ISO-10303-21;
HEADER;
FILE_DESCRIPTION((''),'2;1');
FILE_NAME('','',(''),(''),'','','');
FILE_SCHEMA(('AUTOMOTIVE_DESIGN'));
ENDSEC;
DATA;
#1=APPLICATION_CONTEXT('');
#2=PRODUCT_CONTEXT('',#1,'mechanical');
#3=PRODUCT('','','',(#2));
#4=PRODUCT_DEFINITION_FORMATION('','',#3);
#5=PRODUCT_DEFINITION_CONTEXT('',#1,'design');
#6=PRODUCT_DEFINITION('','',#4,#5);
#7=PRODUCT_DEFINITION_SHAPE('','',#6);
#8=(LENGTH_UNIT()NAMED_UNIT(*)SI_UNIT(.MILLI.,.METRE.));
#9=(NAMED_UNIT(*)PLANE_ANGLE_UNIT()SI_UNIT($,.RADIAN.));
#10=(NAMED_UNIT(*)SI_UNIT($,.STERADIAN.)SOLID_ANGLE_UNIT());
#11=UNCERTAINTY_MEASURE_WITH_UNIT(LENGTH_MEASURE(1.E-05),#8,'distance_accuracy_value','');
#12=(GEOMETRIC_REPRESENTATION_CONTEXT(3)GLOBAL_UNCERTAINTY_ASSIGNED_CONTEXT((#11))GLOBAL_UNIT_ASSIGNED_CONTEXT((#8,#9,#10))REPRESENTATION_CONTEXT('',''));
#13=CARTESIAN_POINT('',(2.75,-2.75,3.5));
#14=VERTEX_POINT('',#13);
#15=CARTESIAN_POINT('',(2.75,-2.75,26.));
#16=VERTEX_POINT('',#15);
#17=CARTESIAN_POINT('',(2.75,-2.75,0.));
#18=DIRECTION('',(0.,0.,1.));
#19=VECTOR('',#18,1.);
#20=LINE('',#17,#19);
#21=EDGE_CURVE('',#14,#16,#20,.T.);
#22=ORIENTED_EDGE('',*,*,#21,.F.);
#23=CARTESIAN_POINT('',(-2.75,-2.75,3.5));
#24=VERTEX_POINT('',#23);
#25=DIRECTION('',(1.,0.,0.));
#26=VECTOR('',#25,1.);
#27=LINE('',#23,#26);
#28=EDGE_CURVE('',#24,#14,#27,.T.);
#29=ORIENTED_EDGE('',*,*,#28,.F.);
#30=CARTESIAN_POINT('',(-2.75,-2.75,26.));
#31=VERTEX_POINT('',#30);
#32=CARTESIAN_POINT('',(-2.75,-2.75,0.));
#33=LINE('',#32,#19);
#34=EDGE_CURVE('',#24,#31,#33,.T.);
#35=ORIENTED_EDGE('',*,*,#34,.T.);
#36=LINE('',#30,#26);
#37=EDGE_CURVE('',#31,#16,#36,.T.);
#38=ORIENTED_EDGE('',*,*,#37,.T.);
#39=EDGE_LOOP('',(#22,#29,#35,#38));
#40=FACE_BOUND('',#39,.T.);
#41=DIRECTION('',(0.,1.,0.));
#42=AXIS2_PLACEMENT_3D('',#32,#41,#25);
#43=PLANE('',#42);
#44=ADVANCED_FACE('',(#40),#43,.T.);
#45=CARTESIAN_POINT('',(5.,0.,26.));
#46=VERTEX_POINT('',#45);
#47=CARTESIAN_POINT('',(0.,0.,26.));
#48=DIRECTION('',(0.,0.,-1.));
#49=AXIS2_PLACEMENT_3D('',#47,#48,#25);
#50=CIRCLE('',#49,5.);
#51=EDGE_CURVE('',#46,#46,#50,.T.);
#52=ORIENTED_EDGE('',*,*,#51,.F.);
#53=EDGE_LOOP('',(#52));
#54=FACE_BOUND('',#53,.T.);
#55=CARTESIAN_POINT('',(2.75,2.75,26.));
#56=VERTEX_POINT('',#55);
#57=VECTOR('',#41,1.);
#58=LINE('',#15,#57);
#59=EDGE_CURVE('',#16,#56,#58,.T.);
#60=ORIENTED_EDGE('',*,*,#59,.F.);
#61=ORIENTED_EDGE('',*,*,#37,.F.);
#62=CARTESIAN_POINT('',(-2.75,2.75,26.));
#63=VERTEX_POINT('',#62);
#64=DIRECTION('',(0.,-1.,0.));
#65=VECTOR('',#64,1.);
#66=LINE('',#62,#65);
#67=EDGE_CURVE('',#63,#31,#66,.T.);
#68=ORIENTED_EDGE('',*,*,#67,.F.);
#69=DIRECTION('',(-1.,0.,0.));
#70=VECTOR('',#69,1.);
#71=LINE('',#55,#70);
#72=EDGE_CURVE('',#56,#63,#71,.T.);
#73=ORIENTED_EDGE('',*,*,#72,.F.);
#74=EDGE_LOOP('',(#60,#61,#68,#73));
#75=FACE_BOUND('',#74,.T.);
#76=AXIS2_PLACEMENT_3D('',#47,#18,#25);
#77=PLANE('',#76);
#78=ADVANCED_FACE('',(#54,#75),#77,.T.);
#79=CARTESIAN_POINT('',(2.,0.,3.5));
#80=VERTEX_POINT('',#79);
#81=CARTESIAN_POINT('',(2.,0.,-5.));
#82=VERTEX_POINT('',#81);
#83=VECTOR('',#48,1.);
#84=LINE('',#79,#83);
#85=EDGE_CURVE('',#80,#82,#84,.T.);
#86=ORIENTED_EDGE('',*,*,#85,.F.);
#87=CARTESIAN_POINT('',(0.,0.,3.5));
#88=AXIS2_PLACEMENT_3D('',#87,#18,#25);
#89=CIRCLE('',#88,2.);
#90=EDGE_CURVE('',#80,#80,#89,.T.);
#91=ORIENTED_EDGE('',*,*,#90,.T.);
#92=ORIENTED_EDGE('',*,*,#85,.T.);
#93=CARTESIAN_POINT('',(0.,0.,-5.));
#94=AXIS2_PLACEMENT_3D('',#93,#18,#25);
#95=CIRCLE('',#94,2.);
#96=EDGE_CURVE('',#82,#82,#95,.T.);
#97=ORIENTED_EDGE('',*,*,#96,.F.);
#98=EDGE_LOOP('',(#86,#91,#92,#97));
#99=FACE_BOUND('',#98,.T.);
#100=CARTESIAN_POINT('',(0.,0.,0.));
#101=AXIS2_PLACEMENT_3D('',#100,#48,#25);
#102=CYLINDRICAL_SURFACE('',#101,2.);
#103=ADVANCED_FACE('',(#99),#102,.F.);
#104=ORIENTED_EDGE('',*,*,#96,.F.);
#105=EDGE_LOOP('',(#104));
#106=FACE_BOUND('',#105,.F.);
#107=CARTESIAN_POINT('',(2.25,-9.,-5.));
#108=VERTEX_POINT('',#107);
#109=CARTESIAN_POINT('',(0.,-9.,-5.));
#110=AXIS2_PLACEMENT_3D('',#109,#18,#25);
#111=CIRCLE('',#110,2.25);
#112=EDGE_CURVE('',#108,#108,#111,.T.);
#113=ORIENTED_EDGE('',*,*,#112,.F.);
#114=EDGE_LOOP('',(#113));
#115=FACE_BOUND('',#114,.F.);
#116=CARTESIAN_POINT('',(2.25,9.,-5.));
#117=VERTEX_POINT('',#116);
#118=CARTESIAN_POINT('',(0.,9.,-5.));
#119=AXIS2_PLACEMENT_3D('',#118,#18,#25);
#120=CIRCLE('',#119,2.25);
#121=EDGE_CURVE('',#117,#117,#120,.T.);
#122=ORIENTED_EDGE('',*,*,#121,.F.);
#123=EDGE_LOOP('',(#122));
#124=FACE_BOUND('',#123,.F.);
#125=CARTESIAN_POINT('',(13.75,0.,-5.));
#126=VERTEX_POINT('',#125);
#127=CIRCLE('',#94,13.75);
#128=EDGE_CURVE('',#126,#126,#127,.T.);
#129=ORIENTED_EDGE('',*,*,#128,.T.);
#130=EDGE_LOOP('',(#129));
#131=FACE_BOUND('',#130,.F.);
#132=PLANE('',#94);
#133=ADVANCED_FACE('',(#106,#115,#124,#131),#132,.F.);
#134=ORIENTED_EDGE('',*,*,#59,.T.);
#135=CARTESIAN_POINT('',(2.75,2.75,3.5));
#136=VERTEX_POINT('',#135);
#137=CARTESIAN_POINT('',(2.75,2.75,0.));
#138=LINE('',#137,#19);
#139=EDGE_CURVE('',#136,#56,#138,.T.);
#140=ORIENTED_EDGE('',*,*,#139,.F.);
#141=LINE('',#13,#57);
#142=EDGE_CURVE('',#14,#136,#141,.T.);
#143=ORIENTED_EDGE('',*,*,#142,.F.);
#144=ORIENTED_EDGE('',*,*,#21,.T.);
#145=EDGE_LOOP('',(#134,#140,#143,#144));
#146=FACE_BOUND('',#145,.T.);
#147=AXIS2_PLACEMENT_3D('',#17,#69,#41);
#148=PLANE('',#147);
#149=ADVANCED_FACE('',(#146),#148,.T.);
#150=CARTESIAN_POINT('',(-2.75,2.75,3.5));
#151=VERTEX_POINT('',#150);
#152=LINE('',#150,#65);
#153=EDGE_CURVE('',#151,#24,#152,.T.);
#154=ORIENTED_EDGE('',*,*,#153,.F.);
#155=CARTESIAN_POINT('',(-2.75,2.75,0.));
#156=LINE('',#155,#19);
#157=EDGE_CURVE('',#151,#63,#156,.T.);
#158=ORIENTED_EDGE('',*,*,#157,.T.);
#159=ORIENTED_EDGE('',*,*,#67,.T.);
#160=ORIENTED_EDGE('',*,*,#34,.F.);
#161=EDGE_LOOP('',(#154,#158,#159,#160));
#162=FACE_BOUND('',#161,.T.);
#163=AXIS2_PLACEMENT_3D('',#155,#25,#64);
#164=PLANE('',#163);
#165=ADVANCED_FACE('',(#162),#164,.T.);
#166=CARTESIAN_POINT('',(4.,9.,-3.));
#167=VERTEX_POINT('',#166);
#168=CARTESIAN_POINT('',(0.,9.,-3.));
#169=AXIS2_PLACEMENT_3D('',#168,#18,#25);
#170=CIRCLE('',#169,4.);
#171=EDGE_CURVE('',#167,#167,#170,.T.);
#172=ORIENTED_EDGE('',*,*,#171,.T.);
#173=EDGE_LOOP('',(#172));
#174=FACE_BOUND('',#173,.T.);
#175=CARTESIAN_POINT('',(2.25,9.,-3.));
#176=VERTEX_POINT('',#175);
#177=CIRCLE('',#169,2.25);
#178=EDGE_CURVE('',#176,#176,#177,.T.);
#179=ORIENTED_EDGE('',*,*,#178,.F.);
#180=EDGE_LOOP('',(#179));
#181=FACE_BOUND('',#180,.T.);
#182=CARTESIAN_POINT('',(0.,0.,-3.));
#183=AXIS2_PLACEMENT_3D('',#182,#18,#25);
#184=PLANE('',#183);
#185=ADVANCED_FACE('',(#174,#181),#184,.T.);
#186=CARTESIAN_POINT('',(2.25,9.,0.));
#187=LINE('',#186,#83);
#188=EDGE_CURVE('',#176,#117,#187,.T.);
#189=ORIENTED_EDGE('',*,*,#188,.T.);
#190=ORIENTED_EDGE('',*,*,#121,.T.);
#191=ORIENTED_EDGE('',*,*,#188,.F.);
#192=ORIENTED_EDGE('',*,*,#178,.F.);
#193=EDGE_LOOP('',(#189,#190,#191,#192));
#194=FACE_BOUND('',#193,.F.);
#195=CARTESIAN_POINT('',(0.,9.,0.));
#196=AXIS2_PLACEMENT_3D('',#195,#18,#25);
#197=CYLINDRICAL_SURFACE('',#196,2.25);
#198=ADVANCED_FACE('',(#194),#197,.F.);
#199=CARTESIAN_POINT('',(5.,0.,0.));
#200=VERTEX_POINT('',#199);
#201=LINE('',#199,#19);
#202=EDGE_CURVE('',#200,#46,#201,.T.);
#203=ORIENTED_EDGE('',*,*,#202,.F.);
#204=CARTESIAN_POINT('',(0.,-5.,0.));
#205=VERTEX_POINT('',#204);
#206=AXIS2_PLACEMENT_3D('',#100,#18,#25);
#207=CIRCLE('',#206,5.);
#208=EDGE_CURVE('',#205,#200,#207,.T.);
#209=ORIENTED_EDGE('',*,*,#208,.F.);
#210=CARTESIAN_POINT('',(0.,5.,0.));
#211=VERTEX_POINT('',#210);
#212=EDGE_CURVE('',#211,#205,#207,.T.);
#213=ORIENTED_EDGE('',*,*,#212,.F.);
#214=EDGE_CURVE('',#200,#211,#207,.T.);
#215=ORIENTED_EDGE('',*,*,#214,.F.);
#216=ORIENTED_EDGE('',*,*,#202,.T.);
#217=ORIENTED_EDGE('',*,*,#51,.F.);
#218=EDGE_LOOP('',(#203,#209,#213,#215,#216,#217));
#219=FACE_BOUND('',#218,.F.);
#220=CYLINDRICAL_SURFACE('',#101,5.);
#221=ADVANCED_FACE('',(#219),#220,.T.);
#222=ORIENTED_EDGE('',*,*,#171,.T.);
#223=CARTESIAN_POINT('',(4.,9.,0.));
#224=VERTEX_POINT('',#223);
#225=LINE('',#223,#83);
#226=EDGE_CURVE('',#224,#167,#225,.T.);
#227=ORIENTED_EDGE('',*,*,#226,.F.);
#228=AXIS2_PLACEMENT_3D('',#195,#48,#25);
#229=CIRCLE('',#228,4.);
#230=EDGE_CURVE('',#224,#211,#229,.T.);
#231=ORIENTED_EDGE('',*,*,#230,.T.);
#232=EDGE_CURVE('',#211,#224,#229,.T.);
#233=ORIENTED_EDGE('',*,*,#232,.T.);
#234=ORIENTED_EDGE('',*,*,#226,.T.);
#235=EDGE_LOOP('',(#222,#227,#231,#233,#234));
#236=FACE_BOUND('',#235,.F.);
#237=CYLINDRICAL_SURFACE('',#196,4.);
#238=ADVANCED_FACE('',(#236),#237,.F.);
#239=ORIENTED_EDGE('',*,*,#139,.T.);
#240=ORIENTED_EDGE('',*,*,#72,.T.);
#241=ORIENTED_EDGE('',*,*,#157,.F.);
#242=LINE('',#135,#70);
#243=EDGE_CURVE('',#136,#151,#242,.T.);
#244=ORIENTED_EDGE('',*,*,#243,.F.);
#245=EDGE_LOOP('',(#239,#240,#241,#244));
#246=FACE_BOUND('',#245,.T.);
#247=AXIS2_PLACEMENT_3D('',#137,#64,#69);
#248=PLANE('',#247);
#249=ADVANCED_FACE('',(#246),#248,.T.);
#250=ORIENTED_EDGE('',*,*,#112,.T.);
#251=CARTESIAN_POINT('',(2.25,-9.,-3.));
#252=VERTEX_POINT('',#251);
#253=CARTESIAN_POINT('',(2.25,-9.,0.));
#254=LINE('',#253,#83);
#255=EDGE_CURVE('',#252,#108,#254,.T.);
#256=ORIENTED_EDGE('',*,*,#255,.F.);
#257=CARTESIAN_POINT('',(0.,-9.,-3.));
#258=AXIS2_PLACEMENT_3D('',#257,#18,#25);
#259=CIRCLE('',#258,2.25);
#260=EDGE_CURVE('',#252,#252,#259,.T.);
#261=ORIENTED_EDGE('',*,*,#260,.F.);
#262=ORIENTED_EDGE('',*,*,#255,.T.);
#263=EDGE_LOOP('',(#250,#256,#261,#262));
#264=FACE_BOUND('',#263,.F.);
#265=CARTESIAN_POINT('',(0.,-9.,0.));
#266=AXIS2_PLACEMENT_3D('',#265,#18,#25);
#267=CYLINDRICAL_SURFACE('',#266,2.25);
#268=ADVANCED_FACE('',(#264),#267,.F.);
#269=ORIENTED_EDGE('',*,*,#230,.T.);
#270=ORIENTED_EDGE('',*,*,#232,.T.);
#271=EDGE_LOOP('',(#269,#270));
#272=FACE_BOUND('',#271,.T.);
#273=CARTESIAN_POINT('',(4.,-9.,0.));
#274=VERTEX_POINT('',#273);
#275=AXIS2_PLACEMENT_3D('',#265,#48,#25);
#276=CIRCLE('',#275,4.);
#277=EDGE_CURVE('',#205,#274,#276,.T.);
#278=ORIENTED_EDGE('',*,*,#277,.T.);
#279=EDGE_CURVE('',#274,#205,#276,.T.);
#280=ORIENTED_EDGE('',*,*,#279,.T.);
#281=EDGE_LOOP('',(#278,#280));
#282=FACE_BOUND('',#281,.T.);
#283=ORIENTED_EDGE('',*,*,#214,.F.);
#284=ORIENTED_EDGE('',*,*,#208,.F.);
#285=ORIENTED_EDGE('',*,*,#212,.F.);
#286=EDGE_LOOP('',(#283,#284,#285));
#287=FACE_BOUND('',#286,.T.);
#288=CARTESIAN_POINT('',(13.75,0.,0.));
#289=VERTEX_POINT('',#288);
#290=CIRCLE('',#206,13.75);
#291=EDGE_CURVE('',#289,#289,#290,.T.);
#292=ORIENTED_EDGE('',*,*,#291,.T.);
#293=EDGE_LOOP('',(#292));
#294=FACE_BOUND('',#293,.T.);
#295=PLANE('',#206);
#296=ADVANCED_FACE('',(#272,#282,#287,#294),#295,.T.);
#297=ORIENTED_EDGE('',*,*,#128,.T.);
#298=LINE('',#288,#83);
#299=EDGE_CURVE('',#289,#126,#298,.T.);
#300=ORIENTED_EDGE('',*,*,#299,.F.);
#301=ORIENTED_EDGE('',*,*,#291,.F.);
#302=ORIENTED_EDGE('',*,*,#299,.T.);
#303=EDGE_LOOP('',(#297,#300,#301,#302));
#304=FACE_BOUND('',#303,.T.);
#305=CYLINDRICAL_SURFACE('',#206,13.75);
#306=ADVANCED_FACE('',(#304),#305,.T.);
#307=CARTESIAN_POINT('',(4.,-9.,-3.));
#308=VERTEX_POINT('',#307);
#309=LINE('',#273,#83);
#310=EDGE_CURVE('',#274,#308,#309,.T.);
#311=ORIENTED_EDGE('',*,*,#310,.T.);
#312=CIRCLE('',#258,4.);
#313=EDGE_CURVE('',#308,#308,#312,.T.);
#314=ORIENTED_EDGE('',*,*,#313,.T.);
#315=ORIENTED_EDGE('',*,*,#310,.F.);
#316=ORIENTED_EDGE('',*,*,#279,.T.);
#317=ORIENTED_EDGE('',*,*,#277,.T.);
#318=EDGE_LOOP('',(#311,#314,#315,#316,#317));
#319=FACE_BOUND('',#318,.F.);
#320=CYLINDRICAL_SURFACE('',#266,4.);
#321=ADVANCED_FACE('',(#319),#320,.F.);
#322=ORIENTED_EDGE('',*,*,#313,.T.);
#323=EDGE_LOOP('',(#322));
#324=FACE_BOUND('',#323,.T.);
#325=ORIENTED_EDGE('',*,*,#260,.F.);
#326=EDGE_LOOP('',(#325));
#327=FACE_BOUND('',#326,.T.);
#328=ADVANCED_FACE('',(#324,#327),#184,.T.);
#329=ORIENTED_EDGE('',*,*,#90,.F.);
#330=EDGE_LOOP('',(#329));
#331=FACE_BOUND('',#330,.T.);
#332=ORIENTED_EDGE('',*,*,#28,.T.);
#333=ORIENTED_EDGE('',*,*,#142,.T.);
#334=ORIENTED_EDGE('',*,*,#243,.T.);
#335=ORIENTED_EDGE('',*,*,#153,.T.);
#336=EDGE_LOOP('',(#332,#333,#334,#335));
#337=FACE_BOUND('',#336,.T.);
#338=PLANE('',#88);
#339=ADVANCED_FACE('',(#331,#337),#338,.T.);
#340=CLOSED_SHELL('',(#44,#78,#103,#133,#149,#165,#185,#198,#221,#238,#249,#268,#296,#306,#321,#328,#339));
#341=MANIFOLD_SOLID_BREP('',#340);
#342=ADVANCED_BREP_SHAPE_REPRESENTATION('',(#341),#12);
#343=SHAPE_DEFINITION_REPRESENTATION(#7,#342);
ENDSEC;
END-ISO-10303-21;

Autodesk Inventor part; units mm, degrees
ref_plane "YZ Plane" through (0, 0, 0) normal (1, 0, 0) x (0, 1, 0)
ref_plane "XZ Plane" through (0, 0, 0) normal (0, 1, 0) x (-1, 0, 0)
ref_plane "XY Plane" through (0, 0, 0) normal (0, 0, 1) x (1, 0, 0)
sketch "Skizze1" plane through (0, 0, 0) normal (0, 0, 1) x (1, 0, 0)
  circle A0 centre (0, 0) radius 13.75
  circle A1 centre (0, 0) radius 5
  line L0 (2.75, 2.75) -> (-2.75, 2.75)
  line L1 (-2.75, 2.75) -> (-2.75, -2.75)
  line L2 (-2.75, -2.75) -> (2.75, -2.75)
  line L3 (2.75, -2.75) -> (2.75, 2.75)
  line L4 (2.75, 2.75) -> (-2.75, -2.75) construction
  line L5 (-2.75, 2.75) -> (2.75, -2.75) construction
  line L6 (0, 13.75) -> (0, -13.75) construction
  circle A2 centre (0, 9) radius 4
  circle A3 centre (0, 9) radius 2.25
  circle A4 centre (0, -9) radius 4
  circle A5 centre (0, -9) radius 2.25
  line L7 (-13.75, 0) -> (13.75, 0) construction
  circle A6 centre (0, 0) radius 2
  dimension "d0" = 27.5
  dimension "d1" = 10
  dimension "d25" = 5.5
  dimension "d28" = 8
  dimension "d29" = 18
  dimension "d30" = 4.5
  dimension "d43" = 4
extrude "Extrusion1" add sketch "Skizze1" against normal blind 5 contours A0 | A1 | A4 | A2 | L3 L2 L1 L0
extrude "Extrusion8" cut sketch "Skizze1" against normal blind 3 contours A4 | A2
extrude "Extrusion9" add sketch "Skizze1" along normal blind 26 contours A1
extrude "Extrusion12" add sketch "Skizze1" along normal blind 3.5 contours L3 L2 L1 L0
properties part number "Schalter_Basis"
